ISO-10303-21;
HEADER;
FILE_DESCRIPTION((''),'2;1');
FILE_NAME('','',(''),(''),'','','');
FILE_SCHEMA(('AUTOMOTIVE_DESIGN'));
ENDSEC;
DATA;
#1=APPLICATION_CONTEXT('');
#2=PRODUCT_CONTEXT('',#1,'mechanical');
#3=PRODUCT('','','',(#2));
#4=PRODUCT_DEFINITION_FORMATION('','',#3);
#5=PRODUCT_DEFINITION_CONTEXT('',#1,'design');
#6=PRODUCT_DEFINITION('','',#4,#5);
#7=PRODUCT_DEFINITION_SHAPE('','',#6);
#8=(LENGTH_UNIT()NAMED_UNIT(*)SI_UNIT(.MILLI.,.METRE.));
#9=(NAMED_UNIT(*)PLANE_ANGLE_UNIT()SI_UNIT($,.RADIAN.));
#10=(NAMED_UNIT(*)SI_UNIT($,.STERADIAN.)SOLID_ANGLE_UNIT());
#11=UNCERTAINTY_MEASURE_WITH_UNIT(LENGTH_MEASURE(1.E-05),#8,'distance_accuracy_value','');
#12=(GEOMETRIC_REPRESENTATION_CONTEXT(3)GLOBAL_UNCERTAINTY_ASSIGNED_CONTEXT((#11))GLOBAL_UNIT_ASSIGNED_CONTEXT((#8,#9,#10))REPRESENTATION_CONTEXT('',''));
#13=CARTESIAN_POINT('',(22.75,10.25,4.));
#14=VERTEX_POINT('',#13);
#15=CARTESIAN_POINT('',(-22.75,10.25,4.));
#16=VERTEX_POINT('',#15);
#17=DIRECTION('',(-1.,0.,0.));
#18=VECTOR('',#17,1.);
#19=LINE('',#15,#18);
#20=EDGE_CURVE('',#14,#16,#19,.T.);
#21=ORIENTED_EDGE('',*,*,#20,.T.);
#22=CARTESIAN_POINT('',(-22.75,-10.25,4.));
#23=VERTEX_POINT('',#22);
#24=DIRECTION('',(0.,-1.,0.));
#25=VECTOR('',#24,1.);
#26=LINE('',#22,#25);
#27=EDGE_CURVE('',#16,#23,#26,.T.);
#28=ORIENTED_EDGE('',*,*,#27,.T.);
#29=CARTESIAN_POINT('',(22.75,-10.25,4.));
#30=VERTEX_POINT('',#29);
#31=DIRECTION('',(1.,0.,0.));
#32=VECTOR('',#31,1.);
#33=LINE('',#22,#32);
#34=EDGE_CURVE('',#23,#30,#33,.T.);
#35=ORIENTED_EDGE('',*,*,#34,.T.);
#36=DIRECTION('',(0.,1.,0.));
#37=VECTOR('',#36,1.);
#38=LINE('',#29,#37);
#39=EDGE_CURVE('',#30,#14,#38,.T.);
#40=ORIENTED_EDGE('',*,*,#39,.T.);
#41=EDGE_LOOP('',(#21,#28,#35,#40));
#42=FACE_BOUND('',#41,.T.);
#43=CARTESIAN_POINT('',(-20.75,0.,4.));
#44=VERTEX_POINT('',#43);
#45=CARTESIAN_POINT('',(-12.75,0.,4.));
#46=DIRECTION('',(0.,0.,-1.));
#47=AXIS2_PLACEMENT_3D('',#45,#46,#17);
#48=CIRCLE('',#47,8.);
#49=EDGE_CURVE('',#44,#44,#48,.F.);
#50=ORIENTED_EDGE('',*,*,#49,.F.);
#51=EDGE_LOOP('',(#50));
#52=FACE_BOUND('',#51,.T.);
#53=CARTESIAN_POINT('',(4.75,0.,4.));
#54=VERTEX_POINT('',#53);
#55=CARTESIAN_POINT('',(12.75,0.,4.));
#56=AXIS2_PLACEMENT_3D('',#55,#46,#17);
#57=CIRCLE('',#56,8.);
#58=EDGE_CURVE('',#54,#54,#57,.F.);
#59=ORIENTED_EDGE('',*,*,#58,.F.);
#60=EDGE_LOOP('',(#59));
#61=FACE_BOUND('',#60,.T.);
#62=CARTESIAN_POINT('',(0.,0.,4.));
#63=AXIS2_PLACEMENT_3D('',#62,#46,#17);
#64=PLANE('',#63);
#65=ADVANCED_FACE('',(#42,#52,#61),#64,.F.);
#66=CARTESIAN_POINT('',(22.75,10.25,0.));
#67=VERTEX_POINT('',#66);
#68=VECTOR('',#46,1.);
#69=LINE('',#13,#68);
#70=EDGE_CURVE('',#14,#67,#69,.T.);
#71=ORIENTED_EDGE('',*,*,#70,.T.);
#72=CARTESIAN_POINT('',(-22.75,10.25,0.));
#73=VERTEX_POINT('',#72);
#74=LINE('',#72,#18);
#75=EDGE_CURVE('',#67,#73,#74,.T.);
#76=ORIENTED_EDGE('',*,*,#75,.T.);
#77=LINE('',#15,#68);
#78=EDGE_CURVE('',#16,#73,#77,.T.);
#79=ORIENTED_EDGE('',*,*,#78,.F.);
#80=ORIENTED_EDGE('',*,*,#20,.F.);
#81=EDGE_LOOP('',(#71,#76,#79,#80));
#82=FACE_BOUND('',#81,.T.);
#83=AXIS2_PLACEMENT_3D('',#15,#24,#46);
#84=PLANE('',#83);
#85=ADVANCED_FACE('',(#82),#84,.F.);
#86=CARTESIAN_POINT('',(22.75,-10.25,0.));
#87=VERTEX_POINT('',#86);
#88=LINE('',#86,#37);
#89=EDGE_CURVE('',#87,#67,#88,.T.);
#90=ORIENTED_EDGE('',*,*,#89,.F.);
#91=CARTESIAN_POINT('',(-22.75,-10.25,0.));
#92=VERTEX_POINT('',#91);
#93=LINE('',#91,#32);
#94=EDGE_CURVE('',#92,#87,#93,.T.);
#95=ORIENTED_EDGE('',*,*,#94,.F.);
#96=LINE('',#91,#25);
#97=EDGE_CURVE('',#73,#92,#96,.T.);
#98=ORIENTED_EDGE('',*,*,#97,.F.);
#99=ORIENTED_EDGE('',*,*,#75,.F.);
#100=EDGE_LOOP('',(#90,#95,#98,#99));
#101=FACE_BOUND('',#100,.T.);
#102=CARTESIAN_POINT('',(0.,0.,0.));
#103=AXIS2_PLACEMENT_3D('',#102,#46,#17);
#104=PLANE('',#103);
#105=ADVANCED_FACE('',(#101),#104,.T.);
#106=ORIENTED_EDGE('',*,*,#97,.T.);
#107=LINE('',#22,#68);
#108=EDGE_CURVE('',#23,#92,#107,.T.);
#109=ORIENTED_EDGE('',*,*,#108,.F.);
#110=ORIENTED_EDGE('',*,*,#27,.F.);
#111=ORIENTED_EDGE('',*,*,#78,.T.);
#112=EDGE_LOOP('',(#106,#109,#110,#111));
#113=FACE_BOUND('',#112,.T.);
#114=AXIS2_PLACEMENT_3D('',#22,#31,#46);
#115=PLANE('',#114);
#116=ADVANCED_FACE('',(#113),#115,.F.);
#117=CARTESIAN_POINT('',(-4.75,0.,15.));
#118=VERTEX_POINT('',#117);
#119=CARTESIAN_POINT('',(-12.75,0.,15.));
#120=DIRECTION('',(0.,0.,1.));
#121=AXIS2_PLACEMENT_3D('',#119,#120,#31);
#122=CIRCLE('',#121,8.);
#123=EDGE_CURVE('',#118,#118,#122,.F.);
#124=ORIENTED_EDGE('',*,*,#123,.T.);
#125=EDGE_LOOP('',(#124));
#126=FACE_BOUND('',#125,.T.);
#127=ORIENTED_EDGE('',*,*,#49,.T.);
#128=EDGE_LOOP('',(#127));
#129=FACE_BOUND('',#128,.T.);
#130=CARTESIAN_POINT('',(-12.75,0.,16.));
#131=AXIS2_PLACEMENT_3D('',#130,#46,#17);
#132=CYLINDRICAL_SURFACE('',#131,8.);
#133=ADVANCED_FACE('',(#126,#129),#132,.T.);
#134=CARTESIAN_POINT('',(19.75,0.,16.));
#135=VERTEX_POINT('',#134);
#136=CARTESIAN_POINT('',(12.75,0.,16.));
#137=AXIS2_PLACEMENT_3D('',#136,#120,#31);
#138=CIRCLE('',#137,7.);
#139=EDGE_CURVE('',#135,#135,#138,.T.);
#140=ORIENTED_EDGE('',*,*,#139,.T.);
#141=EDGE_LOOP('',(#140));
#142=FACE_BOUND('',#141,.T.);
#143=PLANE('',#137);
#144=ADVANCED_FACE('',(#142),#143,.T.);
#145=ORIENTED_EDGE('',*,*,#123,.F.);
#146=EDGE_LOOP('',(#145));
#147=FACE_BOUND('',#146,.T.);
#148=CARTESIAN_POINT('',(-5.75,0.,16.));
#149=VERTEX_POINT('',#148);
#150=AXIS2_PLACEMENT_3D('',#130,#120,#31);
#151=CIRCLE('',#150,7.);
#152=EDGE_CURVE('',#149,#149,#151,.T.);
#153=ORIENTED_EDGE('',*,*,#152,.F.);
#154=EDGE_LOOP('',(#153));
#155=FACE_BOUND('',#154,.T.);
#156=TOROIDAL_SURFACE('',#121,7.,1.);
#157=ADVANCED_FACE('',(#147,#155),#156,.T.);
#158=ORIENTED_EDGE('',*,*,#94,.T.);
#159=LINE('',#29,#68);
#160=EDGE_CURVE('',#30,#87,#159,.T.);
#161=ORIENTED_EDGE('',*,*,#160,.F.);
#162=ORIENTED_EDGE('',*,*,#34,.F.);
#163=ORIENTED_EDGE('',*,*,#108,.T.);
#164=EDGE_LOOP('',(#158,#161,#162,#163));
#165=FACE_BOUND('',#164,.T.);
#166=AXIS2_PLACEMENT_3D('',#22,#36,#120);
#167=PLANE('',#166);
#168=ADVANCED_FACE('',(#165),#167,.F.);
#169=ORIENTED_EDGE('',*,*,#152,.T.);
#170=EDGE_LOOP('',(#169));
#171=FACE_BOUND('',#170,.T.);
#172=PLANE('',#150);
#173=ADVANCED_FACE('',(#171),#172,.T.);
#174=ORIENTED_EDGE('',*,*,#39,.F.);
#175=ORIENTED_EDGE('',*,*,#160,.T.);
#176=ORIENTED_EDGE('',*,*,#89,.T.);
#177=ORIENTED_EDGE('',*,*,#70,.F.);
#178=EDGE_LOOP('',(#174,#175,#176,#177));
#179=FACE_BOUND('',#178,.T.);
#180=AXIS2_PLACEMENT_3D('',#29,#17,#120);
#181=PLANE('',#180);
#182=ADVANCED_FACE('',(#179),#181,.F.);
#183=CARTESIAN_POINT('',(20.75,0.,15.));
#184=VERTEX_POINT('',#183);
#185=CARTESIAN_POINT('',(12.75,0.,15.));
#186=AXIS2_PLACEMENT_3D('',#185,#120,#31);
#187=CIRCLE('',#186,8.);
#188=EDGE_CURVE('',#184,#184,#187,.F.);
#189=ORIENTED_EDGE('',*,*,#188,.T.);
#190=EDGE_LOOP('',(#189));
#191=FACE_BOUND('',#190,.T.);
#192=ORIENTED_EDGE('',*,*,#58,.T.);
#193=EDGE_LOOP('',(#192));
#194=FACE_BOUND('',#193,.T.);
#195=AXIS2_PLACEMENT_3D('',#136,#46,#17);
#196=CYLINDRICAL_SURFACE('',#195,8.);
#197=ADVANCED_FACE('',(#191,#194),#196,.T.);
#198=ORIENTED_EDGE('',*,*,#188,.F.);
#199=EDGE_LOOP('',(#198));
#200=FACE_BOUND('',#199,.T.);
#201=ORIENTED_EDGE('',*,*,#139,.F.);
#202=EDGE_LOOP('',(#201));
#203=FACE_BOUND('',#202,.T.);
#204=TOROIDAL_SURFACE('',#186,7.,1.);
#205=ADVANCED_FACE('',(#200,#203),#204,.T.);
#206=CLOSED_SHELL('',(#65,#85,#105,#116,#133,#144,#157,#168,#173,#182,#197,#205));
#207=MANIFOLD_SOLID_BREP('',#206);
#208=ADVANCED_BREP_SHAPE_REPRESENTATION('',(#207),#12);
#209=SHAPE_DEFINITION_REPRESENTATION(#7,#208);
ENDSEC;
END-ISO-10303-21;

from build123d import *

# Parameters (mm, degrees)
SKETCH1_W           = 45.5
SKETCH1_H           = 20.5
BOSS_EXTRUDE1_DEPTH = 4
SKETCH2_R           = 8
BOSS_EXTRUDE2_DEPTH = 12
FILLET1_R           = 1


with BuildPart() as part:
    # Sketch1 → Boss-Extrude1 (new body)
    with BuildSketch(Plane.XY):
        Rectangle(SKETCH1_W, SKETCH1_H)
    extrude(amount=BOSS_EXTRUDE1_DEPTH)

    # Sketch2 → Boss-Extrude2 (add)
    with BuildSketch(Plane.XY.offset(4)):
        with Locations(Location((-12.75, 0, 0), (0, 0, 180))):
            Circle(SKETCH2_R)
        with Locations(Location((12.75, 0, 0), (0, 0, 180))):
            Circle(SKETCH2_R)
    extrude(amount=BOSS_EXTRUDE2_DEPTH)

    # Fillet1
    fillet1_edges = [part.edges().sort_by_distance(p)[0] for p in [
        (-4.75, 0, 16),
        (20.75, 0, 16),
    ]]
    fillet(fillet1_edges, radius=FILLET1_R)


solid = part.part
